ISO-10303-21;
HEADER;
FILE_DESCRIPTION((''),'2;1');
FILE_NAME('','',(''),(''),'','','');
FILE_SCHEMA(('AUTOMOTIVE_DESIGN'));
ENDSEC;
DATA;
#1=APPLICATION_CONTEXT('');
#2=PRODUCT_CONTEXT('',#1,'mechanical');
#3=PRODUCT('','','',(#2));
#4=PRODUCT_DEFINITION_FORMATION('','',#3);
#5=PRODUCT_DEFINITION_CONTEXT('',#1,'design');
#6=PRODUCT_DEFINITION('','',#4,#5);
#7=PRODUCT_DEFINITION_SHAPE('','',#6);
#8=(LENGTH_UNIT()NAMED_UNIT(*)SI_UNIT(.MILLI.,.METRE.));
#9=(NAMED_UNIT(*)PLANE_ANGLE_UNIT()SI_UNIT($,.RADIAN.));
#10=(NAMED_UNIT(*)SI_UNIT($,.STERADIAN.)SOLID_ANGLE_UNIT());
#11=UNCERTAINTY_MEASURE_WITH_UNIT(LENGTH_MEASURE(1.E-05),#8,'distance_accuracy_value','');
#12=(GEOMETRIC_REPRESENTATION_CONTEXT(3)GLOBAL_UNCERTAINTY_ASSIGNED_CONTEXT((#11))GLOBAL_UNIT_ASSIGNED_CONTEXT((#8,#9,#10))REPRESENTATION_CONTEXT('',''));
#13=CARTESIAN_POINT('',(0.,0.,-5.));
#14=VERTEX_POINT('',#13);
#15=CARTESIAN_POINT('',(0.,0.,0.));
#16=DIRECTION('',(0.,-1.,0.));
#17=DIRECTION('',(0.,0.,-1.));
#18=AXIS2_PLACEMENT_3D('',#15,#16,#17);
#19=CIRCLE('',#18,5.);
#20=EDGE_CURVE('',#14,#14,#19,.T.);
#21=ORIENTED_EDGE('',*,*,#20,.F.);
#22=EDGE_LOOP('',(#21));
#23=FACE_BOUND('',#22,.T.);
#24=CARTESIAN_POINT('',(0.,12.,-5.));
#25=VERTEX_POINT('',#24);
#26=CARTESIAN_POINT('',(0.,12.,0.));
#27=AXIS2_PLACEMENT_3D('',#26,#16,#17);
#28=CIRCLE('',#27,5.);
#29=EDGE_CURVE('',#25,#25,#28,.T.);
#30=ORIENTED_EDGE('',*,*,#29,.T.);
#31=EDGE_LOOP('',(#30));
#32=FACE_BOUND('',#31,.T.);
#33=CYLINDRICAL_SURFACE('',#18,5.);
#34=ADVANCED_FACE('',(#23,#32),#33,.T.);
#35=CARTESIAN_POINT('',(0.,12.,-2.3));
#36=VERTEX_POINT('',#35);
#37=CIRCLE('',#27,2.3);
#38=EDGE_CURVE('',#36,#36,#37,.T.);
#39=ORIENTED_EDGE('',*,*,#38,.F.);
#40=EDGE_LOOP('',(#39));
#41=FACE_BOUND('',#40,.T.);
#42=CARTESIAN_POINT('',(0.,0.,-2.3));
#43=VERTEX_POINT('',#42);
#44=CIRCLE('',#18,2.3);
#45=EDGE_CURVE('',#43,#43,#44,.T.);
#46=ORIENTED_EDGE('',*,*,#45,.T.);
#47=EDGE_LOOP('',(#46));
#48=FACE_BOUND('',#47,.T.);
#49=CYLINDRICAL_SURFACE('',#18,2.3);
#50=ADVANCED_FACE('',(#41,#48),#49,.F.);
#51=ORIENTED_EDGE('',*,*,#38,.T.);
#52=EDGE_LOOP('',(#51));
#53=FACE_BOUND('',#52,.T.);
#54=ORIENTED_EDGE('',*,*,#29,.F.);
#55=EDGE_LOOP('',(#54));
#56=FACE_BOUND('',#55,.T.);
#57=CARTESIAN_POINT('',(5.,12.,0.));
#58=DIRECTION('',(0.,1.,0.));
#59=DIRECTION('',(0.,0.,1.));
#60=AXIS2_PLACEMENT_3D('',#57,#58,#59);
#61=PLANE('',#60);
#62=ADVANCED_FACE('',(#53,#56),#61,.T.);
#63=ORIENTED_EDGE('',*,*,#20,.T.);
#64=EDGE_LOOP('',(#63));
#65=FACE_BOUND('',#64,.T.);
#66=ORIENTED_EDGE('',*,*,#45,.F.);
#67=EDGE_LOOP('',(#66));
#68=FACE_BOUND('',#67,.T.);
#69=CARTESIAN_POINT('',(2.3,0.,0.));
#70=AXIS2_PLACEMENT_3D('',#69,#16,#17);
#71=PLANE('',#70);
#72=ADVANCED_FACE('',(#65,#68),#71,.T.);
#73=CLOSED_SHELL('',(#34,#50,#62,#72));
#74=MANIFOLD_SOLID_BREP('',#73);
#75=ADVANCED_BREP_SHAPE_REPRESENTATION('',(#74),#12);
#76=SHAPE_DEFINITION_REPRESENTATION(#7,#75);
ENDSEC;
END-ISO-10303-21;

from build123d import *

# Parameters (mm, degrees)
SKETCH1_W = 2.7
SKETCH1_H = 12


with BuildPart() as part:
    # Sketch1 → Revolve1 (revolve)
    with BuildSketch(Plane.XY, mode=Mode.PRIVATE) as revolve1_sk:
        with Locations((3.65, 6)):
            Rectangle(SKETCH1_W, SKETCH1_H)
    revolve(revolve1_sk.sketch.rotate(Axis((0, 0, 0), (0, 1, 0)), 90), axis=Axis((0, 0, 0), (0, 1, 0)))


solid = part.part
